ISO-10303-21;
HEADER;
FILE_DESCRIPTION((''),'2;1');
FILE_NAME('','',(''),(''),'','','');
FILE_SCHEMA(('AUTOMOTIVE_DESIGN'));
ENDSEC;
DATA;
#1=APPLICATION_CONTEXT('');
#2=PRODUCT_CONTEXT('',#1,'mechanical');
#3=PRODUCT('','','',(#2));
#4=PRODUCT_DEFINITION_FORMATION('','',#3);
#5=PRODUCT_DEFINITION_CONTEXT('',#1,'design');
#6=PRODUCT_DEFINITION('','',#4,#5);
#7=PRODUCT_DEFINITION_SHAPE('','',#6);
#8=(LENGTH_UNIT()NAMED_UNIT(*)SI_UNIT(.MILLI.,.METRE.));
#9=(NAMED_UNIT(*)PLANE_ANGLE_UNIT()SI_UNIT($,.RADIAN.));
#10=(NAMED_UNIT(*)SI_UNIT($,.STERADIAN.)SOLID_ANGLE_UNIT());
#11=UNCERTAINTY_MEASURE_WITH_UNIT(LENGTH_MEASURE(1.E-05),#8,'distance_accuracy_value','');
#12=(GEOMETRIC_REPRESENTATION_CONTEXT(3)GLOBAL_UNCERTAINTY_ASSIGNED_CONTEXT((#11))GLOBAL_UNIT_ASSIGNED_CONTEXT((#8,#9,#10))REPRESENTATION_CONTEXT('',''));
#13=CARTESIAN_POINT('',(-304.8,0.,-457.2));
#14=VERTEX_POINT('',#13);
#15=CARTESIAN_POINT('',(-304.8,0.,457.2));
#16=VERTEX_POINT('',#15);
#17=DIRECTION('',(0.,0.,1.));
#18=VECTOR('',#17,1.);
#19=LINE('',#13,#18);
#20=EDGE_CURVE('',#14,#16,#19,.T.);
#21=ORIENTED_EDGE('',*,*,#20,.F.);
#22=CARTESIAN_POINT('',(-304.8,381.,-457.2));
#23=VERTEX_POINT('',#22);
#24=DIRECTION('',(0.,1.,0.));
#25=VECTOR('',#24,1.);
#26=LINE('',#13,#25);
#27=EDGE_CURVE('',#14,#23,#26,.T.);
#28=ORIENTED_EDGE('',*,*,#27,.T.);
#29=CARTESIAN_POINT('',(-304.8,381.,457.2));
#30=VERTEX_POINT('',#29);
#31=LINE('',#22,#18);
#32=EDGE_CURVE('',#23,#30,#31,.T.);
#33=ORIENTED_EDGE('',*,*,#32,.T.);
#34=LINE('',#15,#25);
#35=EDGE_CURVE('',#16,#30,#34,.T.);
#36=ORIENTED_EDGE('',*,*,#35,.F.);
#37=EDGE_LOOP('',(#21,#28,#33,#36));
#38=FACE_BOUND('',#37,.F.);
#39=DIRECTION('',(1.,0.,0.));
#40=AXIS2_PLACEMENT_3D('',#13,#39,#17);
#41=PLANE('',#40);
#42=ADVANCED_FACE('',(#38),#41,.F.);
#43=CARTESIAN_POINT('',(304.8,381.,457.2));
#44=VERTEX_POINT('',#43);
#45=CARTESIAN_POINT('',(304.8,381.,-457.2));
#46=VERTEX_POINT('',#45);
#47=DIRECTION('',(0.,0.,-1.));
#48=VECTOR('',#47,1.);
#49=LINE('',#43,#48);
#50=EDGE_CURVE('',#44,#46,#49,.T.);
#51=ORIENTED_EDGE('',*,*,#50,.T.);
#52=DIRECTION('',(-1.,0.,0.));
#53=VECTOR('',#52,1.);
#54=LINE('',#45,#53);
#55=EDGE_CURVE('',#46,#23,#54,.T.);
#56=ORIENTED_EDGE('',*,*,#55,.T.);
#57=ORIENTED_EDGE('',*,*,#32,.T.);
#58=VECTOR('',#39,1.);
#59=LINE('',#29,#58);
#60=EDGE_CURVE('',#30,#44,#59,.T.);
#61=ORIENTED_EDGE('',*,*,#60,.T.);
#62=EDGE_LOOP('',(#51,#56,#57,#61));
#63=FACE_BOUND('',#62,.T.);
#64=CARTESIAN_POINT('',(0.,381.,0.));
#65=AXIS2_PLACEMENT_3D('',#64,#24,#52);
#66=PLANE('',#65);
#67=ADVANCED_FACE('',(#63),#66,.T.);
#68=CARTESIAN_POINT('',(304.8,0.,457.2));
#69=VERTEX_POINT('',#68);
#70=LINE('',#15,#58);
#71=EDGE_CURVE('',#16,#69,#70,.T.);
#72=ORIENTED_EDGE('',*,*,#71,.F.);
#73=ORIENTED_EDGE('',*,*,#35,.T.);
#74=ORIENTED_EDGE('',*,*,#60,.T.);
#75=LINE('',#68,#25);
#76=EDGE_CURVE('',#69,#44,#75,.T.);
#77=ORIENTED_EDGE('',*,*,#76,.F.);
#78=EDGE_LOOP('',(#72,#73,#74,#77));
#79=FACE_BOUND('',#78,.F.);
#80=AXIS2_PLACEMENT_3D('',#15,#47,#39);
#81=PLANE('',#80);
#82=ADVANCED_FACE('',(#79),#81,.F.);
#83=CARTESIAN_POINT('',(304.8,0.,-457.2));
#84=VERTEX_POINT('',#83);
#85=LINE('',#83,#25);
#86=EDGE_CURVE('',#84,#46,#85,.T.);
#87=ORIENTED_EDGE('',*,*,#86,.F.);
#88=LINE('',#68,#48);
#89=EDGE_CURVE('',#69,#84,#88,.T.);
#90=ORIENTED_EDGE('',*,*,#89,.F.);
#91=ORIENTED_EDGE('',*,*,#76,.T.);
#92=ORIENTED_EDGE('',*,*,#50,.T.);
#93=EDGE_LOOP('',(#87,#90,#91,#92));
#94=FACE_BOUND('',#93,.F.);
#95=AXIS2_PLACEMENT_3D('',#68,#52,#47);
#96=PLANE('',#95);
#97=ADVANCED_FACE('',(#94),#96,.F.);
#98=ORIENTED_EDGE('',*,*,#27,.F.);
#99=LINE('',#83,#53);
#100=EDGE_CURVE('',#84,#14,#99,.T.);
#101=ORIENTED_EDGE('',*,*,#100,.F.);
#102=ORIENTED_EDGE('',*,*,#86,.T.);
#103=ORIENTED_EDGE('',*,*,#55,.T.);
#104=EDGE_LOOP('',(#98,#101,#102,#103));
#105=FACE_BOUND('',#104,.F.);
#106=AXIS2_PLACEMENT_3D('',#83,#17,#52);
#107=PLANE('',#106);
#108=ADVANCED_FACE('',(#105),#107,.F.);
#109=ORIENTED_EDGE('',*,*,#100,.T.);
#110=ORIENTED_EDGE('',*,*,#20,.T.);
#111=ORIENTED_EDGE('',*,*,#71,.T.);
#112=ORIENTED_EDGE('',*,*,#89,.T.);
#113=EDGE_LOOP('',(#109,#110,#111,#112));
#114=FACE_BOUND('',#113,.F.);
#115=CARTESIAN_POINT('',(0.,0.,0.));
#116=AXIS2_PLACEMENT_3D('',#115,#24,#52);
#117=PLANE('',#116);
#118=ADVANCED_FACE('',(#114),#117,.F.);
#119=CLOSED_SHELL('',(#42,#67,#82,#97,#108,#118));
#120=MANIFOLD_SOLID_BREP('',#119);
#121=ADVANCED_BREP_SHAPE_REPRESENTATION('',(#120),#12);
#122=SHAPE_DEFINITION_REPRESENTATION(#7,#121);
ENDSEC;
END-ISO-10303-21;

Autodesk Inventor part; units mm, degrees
ref_plane "YZ Plane" through (0, 0, 0) normal (1, 0, 0) x (0, 1, 0)
ref_plane "XZ Plane" through (0, 0, 0) normal (0, 1, 0) x (-1, 0, 0)
ref_plane "XY Plane" through (0, 0, 0) normal (0, 0, 1) x (1, 0, 0)
sketch "Sketch1" plane through (0, 0, 0) normal (0, 1, 0) x (-1, 0, 0)
  line L0 (304.8, 457.2) -> (-304.8, 457.2)
  line L1 (-304.8, 457.2) -> (-304.8, -457.2)
  line L2 (-304.8, -457.2) -> (304.8, -457.2)
  line L3 (304.8, -457.2) -> (304.8, 457.2)
  line L4 (304.8, 457.2) -> (-304.8, -457.2) construction
  line L5 (-304.8, 457.2) -> (304.8, -457.2) construction
  point P0 (0, 0)
  dimension "d0" = 609.6
  dimension "d1" = 914.4
extrude "Extrusion1" add sketch "Sketch1" along normal blind 381
equation "\"d0\" = rhinoRobotWidth"
equation "\"d1\" = rhinoRobotLength"
equation "\"d2\" = rhinoRobotHeight"
equation "\"maxPerimeter\" = 3048"
equation "\"rhinoRobotWidth\" = 609.6"
equation "\"rhinoRobotLength\" = -rhinoRobotWidth + 0.5 * maxPerimeter"
equation "\"rhinoRobotHeight\" = 381"
properties part number "rhinoRobotVolume"
